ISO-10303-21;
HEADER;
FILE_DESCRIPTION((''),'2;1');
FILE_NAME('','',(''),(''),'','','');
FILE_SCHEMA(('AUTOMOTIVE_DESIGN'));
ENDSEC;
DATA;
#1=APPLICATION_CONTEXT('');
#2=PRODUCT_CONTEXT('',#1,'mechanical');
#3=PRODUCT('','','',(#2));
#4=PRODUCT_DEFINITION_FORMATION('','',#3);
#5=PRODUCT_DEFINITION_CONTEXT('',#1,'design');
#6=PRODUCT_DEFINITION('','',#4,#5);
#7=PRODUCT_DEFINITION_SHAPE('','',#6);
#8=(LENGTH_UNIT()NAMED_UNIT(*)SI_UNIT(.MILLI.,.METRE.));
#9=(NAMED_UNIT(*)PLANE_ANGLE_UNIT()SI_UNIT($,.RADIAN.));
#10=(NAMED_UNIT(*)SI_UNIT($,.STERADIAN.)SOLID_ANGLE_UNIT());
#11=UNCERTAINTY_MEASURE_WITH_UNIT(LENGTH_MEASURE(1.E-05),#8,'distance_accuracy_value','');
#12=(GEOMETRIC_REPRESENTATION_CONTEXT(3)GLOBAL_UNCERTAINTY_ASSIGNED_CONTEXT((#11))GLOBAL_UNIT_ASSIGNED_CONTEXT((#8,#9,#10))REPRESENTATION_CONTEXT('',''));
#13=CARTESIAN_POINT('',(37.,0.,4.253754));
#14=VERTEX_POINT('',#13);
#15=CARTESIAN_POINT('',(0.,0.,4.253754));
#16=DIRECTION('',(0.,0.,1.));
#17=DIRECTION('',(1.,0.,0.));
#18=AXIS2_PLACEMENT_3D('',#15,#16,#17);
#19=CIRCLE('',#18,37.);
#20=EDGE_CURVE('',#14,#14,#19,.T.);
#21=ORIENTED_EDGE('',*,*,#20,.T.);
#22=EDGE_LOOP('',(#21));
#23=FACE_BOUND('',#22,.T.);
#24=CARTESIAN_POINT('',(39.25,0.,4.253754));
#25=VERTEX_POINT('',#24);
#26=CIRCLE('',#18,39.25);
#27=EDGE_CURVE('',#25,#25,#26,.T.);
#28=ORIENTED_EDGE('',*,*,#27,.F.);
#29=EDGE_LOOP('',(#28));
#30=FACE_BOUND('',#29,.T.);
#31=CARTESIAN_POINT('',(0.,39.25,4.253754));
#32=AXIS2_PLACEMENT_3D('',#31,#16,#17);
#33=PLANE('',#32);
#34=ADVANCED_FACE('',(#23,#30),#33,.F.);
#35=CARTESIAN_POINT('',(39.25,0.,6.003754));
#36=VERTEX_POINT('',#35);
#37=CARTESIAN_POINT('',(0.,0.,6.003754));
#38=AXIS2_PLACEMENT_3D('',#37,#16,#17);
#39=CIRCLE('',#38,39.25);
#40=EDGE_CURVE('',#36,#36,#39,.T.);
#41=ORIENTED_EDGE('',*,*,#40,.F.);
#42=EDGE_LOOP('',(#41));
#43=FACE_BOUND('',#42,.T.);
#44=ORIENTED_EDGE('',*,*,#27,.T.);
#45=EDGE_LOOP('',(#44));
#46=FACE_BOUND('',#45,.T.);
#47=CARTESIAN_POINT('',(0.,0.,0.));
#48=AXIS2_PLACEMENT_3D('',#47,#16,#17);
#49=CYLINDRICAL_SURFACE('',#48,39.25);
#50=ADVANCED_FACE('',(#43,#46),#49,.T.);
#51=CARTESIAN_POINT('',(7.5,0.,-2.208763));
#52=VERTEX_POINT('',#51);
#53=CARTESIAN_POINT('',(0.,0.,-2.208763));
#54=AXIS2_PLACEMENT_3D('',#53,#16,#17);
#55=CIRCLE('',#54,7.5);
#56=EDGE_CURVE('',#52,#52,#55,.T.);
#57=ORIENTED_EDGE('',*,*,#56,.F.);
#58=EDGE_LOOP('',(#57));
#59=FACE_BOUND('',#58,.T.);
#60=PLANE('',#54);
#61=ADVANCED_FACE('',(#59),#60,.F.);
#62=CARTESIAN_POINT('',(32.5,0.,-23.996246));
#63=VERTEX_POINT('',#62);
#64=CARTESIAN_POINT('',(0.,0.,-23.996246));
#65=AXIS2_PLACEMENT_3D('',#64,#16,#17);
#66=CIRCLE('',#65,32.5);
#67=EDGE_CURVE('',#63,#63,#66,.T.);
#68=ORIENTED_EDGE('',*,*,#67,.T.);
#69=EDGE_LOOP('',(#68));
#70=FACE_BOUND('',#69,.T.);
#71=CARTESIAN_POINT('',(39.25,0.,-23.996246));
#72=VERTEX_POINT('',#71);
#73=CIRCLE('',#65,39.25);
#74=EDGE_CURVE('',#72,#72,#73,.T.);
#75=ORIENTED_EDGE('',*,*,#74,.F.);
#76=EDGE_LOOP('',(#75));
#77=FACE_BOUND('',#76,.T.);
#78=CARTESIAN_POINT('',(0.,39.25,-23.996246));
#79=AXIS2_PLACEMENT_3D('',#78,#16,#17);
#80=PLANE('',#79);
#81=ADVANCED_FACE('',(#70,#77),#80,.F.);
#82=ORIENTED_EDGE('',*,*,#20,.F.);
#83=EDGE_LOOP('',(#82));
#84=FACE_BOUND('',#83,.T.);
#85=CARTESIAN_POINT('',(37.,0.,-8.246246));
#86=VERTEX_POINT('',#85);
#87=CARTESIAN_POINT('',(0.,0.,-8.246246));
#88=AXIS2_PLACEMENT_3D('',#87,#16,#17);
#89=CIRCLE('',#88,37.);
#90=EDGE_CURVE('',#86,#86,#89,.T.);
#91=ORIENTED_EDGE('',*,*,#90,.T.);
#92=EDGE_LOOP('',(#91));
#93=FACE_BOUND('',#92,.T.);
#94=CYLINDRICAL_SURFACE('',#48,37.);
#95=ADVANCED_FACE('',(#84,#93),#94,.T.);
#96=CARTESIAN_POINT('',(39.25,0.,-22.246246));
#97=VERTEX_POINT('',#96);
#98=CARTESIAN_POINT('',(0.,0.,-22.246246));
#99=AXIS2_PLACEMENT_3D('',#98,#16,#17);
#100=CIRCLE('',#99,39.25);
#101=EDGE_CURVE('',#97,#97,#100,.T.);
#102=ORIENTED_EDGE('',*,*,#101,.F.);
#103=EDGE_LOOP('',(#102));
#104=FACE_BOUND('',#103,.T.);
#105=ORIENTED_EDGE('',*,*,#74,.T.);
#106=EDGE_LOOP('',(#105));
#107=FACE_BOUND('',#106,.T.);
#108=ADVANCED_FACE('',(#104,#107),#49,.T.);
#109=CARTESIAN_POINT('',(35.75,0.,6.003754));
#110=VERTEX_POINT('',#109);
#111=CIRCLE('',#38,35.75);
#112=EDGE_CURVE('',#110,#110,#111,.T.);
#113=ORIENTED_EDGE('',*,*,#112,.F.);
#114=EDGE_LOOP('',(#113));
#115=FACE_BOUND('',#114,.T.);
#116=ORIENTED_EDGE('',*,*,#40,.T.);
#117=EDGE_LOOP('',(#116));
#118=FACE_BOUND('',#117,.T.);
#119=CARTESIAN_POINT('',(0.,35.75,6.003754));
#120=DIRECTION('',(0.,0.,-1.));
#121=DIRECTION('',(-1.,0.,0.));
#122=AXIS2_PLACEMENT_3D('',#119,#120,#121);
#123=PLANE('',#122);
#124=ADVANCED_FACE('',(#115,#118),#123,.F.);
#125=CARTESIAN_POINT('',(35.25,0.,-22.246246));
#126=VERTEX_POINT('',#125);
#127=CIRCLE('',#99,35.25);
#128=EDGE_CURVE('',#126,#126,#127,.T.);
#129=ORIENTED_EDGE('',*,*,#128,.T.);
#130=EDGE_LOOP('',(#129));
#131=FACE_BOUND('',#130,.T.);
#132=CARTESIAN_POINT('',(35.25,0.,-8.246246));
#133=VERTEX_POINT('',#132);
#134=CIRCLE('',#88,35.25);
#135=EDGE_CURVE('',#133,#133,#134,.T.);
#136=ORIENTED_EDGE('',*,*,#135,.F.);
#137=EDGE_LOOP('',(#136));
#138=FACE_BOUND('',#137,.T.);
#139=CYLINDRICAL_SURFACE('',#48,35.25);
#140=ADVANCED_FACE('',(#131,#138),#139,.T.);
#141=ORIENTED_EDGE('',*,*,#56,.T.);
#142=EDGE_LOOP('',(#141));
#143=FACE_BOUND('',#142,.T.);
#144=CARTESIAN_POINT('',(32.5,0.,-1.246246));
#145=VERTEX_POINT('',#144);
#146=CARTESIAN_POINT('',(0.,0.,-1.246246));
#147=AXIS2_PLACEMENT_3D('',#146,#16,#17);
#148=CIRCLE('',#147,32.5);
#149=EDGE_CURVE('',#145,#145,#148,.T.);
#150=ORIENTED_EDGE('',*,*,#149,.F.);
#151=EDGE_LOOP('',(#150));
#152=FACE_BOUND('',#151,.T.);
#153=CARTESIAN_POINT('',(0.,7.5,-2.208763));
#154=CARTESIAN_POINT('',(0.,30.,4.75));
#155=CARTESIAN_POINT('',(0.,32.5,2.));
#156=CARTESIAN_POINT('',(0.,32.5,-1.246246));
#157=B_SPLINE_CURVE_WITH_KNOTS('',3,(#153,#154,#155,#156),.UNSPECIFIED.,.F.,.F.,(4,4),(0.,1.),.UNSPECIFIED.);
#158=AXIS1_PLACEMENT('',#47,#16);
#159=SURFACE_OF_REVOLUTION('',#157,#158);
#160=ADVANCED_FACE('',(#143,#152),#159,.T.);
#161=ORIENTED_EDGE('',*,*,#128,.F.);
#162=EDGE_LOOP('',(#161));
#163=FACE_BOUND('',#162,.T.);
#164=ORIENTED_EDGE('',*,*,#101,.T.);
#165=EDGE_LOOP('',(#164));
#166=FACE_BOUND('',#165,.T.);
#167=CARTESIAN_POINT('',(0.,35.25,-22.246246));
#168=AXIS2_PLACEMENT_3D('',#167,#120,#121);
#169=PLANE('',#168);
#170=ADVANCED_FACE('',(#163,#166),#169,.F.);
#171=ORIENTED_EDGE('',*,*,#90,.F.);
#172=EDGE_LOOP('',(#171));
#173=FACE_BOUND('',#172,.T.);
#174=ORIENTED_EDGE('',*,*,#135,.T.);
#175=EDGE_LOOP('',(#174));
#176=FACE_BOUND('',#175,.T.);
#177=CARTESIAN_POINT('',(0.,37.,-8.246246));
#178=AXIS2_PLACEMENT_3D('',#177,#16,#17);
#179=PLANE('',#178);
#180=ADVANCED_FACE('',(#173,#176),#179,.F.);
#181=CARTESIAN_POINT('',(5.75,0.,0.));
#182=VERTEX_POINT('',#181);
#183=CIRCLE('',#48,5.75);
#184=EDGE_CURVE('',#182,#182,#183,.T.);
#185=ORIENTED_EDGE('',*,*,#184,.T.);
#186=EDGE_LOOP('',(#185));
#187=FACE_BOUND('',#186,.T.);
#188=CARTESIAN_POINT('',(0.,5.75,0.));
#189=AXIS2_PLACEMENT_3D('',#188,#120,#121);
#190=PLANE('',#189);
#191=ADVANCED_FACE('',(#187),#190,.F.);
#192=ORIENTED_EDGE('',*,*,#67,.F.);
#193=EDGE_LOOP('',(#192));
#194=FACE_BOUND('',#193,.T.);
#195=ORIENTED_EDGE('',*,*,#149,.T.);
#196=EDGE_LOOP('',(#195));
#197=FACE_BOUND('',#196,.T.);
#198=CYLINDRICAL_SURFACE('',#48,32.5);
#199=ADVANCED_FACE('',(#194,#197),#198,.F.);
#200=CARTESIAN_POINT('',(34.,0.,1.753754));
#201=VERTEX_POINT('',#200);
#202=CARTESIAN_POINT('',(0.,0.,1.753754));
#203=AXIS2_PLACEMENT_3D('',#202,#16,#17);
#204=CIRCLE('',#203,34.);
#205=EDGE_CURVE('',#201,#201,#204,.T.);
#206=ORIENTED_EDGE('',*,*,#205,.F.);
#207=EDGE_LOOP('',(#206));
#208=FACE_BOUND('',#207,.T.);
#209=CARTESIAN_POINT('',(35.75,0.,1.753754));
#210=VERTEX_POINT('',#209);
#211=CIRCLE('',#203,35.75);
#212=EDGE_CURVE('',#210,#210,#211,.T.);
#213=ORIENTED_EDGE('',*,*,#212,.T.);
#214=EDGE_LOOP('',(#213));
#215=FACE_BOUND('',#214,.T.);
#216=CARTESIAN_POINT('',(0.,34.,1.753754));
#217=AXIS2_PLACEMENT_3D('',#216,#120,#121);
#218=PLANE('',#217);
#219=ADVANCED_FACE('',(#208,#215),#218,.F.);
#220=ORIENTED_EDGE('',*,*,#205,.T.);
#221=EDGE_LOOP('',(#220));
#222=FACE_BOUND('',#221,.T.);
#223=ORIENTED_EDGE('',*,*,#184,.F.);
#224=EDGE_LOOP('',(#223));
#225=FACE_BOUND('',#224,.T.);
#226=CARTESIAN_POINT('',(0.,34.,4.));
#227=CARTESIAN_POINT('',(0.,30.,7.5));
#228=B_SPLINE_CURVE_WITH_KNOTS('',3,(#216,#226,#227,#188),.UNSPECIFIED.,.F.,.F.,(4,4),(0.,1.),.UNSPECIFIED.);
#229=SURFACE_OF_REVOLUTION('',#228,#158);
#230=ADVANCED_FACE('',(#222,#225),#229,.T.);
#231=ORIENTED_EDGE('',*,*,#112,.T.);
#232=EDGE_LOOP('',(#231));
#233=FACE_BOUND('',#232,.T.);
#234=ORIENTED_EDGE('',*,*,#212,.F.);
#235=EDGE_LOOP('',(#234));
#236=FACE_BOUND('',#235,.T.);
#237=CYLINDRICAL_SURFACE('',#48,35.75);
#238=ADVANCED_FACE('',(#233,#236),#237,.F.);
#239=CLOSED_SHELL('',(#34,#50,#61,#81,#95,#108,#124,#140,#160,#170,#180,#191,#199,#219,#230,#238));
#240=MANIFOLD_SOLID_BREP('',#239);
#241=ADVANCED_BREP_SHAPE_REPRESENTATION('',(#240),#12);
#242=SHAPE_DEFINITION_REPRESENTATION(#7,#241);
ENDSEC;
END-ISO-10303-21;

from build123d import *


with BuildPart() as part:
    # Sketch1 → Revolve2 (revolve)
    with BuildSketch(Plane(origin=(0, 0, 0), x_dir=(0, 0, -1), z_dir=(1, 0, 0))):
        with BuildLine():
            Line((0, 0), (2.208762887, 0))
            Line((2.208762887, 0), (2.208762887, 7.5))
            add(Edge.make_bspline(
                [(2.208762887, 7.5), (-4.75, 30), (-2, 32.5), (1.246245651, 32.5)],
                knots=[0, 0, 0, 0, 1, 1, 1, 1], degree=3))
            Line((1.246245651, 32.5), (23.996245651, 32.5))
            Line((23.996245651, 32.5), (23.996245651, 39.25))
            Line((23.996245651, 39.25), (22.246245651, 39.25))
            Line((22.246245651, 39.25), (22.246245651, 35.25))
            Line((22.246245651, 35.25), (8.246245651, 35.25))
            Line((8.246245651, 35.25), (8.246245651, 37))
            Line((8.246245651, 37), (-4.253754349, 37))
            Line((-4.253754349, 37), (-4.253754349, 39.25))
            Line((-4.253754349, 39.25), (-6.003754349, 39.25))
            Line((-6.003754349, 39.25), (-6.003754349, 35.75))
            Line((-6.003754349, 35.75), (-1.753754349, 35.75))
            Line((-1.753754349, 35.75), (-1.753754349, 34))
            add(Edge.make_bspline(
                [(0, 5.75), (-7.5, 30), (-4, 34), (-1.753754349, 34)],
                knots=[0, 0, 0, 0, 1, 1, 1, 1], degree=3))
            Line((0, 5.75), (0, 0))
        make_face()
    revolve(axis=Axis((0, 0, 0), (0, 0, -1)))


solid = part.part
